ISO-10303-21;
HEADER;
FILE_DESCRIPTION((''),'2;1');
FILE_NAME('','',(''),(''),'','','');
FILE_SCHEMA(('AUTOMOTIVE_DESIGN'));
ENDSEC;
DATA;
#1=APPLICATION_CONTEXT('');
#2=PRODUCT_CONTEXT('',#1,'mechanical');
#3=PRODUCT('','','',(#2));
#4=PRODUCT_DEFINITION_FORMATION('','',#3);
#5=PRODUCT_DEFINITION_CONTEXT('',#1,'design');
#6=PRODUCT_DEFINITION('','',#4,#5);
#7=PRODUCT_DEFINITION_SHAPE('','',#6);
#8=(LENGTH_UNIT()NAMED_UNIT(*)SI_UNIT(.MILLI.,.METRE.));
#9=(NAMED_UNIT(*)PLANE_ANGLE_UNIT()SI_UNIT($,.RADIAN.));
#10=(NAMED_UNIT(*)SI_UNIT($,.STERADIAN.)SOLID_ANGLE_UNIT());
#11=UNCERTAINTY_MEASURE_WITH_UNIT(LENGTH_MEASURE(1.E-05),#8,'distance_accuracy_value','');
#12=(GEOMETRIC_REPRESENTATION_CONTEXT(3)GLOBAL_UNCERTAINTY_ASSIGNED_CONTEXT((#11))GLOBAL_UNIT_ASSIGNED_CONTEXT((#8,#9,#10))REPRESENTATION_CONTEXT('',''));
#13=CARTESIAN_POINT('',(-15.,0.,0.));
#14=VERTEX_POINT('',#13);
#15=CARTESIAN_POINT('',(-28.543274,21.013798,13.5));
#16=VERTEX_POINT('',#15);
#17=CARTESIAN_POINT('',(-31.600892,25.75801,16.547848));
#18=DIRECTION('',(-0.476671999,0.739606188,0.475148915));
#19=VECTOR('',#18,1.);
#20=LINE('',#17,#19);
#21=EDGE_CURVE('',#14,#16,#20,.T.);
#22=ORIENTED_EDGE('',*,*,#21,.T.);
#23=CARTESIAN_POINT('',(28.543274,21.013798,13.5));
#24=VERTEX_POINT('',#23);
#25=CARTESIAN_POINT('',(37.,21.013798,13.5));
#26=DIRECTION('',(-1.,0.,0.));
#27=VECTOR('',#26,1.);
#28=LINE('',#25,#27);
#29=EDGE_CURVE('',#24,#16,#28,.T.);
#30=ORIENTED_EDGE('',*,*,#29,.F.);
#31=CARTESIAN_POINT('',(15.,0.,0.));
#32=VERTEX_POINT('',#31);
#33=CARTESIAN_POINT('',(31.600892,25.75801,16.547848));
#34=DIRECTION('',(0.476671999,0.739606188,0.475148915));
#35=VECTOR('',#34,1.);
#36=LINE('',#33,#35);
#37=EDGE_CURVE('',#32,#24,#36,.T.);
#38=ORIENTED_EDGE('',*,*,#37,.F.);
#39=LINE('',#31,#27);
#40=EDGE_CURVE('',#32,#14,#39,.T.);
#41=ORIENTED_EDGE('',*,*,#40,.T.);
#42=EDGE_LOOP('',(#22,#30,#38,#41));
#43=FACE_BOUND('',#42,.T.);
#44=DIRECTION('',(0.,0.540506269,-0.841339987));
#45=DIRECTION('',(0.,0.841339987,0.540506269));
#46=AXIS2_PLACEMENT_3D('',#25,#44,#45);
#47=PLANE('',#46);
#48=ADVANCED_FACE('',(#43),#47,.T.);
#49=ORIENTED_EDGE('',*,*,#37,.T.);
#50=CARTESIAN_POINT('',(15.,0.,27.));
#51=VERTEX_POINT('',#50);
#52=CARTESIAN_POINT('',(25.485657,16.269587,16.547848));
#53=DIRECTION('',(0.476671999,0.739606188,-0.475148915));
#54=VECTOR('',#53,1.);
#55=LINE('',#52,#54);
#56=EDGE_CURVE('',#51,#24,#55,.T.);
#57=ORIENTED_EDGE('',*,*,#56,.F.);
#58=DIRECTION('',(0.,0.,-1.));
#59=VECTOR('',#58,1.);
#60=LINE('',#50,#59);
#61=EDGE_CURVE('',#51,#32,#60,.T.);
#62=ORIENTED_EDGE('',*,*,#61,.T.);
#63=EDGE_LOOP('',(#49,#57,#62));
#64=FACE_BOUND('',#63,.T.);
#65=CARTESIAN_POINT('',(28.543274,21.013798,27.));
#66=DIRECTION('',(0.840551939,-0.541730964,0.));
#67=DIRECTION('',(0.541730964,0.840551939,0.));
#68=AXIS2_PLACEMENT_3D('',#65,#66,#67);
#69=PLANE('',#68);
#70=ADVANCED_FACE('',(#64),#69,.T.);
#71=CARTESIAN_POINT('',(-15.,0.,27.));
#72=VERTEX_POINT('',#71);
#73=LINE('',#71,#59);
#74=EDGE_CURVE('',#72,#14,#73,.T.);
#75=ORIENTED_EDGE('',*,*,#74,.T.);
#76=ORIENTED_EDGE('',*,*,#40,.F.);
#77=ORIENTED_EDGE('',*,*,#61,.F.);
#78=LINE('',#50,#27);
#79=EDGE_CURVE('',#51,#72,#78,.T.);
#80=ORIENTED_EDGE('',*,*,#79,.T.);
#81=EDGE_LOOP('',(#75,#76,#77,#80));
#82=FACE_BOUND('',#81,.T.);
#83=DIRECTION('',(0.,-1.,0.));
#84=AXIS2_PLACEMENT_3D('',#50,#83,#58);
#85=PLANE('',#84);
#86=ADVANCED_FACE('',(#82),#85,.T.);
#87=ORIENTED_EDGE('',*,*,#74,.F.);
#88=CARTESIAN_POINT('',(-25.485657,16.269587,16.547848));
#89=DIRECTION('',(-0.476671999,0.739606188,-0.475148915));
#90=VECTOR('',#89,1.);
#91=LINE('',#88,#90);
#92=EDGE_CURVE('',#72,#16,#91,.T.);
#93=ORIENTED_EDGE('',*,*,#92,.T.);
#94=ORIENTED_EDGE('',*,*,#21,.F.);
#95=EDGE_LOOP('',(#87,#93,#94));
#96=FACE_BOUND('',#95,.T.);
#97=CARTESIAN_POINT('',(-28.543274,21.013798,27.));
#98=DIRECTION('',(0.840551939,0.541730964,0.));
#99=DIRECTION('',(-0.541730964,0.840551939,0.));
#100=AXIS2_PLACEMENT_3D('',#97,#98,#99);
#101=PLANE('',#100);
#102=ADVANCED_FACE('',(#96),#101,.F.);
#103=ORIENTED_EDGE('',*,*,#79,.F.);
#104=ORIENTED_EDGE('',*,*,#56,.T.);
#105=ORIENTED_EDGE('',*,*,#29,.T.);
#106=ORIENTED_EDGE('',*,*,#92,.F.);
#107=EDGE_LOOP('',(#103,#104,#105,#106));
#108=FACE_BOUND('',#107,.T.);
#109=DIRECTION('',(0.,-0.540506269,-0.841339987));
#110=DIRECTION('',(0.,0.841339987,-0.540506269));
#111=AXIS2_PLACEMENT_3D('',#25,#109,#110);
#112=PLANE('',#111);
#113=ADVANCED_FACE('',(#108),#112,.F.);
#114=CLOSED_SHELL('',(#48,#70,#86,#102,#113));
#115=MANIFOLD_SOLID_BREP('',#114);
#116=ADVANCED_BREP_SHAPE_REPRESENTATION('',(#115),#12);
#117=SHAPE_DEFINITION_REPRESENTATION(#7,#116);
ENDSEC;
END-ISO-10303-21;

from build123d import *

# Parameters (mm, degrees)
BOSS_EXTRUDE2_DEPTH     = 27
CUT_EXTRUDE4_DEPTH      = 37
CUT_EXTRUDE4_DEPTH_BACK = 37
CUT_EXTRUDE5_DEPTH      = 37
CUT_EXTRUDE5_DEPTH_BACK = 37


with BuildPart() as part:
    # Sketch1 → Boss-Extrude2 (new body)
    with BuildSketch(Plane.XY):
        Polygon((15, 0), (-15, 0), (-28.5432741, 21.013798482), (28.5432741, 21.013798482), align=None)
    extrude(amount=BOSS_EXTRUDE2_DEPTH)

    # Sketch3 → Cut-Extrude4 (cut, two sides: drawn at the far end of the back side and taken through both)
    with BuildSketch(Plane(origin=(0, 0, 0), x_dir=(0, 0, -1), z_dir=(1, 0, 0)).offset(-CUT_EXTRUDE4_DEPTH_BACK)):
        Polygon((-13.5, 21.013798482), (0, 0), (0, 21.013798482), align=None)
    extrude(amount=CUT_EXTRUDE4_DEPTH + CUT_EXTRUDE4_DEPTH_BACK, mode=Mode.SUBTRACT)

    # Sketch4 → Cut-Extrude5 (cut, two sides: drawn at the far end of the back side and taken through both)
    with BuildSketch(Plane(origin=(0, 0, 0), x_dir=(0, 0, -1), z_dir=(1, 0, 0)).offset(-CUT_EXTRUDE5_DEPTH_BACK)):
        Polygon((-13.5, 21.013798482), (-27, 0), (-27, 21.013798482), align=None)
    extrude(amount=CUT_EXTRUDE5_DEPTH + CUT_EXTRUDE5_DEPTH_BACK, mode=Mode.SUBTRACT)


solid = part.part
